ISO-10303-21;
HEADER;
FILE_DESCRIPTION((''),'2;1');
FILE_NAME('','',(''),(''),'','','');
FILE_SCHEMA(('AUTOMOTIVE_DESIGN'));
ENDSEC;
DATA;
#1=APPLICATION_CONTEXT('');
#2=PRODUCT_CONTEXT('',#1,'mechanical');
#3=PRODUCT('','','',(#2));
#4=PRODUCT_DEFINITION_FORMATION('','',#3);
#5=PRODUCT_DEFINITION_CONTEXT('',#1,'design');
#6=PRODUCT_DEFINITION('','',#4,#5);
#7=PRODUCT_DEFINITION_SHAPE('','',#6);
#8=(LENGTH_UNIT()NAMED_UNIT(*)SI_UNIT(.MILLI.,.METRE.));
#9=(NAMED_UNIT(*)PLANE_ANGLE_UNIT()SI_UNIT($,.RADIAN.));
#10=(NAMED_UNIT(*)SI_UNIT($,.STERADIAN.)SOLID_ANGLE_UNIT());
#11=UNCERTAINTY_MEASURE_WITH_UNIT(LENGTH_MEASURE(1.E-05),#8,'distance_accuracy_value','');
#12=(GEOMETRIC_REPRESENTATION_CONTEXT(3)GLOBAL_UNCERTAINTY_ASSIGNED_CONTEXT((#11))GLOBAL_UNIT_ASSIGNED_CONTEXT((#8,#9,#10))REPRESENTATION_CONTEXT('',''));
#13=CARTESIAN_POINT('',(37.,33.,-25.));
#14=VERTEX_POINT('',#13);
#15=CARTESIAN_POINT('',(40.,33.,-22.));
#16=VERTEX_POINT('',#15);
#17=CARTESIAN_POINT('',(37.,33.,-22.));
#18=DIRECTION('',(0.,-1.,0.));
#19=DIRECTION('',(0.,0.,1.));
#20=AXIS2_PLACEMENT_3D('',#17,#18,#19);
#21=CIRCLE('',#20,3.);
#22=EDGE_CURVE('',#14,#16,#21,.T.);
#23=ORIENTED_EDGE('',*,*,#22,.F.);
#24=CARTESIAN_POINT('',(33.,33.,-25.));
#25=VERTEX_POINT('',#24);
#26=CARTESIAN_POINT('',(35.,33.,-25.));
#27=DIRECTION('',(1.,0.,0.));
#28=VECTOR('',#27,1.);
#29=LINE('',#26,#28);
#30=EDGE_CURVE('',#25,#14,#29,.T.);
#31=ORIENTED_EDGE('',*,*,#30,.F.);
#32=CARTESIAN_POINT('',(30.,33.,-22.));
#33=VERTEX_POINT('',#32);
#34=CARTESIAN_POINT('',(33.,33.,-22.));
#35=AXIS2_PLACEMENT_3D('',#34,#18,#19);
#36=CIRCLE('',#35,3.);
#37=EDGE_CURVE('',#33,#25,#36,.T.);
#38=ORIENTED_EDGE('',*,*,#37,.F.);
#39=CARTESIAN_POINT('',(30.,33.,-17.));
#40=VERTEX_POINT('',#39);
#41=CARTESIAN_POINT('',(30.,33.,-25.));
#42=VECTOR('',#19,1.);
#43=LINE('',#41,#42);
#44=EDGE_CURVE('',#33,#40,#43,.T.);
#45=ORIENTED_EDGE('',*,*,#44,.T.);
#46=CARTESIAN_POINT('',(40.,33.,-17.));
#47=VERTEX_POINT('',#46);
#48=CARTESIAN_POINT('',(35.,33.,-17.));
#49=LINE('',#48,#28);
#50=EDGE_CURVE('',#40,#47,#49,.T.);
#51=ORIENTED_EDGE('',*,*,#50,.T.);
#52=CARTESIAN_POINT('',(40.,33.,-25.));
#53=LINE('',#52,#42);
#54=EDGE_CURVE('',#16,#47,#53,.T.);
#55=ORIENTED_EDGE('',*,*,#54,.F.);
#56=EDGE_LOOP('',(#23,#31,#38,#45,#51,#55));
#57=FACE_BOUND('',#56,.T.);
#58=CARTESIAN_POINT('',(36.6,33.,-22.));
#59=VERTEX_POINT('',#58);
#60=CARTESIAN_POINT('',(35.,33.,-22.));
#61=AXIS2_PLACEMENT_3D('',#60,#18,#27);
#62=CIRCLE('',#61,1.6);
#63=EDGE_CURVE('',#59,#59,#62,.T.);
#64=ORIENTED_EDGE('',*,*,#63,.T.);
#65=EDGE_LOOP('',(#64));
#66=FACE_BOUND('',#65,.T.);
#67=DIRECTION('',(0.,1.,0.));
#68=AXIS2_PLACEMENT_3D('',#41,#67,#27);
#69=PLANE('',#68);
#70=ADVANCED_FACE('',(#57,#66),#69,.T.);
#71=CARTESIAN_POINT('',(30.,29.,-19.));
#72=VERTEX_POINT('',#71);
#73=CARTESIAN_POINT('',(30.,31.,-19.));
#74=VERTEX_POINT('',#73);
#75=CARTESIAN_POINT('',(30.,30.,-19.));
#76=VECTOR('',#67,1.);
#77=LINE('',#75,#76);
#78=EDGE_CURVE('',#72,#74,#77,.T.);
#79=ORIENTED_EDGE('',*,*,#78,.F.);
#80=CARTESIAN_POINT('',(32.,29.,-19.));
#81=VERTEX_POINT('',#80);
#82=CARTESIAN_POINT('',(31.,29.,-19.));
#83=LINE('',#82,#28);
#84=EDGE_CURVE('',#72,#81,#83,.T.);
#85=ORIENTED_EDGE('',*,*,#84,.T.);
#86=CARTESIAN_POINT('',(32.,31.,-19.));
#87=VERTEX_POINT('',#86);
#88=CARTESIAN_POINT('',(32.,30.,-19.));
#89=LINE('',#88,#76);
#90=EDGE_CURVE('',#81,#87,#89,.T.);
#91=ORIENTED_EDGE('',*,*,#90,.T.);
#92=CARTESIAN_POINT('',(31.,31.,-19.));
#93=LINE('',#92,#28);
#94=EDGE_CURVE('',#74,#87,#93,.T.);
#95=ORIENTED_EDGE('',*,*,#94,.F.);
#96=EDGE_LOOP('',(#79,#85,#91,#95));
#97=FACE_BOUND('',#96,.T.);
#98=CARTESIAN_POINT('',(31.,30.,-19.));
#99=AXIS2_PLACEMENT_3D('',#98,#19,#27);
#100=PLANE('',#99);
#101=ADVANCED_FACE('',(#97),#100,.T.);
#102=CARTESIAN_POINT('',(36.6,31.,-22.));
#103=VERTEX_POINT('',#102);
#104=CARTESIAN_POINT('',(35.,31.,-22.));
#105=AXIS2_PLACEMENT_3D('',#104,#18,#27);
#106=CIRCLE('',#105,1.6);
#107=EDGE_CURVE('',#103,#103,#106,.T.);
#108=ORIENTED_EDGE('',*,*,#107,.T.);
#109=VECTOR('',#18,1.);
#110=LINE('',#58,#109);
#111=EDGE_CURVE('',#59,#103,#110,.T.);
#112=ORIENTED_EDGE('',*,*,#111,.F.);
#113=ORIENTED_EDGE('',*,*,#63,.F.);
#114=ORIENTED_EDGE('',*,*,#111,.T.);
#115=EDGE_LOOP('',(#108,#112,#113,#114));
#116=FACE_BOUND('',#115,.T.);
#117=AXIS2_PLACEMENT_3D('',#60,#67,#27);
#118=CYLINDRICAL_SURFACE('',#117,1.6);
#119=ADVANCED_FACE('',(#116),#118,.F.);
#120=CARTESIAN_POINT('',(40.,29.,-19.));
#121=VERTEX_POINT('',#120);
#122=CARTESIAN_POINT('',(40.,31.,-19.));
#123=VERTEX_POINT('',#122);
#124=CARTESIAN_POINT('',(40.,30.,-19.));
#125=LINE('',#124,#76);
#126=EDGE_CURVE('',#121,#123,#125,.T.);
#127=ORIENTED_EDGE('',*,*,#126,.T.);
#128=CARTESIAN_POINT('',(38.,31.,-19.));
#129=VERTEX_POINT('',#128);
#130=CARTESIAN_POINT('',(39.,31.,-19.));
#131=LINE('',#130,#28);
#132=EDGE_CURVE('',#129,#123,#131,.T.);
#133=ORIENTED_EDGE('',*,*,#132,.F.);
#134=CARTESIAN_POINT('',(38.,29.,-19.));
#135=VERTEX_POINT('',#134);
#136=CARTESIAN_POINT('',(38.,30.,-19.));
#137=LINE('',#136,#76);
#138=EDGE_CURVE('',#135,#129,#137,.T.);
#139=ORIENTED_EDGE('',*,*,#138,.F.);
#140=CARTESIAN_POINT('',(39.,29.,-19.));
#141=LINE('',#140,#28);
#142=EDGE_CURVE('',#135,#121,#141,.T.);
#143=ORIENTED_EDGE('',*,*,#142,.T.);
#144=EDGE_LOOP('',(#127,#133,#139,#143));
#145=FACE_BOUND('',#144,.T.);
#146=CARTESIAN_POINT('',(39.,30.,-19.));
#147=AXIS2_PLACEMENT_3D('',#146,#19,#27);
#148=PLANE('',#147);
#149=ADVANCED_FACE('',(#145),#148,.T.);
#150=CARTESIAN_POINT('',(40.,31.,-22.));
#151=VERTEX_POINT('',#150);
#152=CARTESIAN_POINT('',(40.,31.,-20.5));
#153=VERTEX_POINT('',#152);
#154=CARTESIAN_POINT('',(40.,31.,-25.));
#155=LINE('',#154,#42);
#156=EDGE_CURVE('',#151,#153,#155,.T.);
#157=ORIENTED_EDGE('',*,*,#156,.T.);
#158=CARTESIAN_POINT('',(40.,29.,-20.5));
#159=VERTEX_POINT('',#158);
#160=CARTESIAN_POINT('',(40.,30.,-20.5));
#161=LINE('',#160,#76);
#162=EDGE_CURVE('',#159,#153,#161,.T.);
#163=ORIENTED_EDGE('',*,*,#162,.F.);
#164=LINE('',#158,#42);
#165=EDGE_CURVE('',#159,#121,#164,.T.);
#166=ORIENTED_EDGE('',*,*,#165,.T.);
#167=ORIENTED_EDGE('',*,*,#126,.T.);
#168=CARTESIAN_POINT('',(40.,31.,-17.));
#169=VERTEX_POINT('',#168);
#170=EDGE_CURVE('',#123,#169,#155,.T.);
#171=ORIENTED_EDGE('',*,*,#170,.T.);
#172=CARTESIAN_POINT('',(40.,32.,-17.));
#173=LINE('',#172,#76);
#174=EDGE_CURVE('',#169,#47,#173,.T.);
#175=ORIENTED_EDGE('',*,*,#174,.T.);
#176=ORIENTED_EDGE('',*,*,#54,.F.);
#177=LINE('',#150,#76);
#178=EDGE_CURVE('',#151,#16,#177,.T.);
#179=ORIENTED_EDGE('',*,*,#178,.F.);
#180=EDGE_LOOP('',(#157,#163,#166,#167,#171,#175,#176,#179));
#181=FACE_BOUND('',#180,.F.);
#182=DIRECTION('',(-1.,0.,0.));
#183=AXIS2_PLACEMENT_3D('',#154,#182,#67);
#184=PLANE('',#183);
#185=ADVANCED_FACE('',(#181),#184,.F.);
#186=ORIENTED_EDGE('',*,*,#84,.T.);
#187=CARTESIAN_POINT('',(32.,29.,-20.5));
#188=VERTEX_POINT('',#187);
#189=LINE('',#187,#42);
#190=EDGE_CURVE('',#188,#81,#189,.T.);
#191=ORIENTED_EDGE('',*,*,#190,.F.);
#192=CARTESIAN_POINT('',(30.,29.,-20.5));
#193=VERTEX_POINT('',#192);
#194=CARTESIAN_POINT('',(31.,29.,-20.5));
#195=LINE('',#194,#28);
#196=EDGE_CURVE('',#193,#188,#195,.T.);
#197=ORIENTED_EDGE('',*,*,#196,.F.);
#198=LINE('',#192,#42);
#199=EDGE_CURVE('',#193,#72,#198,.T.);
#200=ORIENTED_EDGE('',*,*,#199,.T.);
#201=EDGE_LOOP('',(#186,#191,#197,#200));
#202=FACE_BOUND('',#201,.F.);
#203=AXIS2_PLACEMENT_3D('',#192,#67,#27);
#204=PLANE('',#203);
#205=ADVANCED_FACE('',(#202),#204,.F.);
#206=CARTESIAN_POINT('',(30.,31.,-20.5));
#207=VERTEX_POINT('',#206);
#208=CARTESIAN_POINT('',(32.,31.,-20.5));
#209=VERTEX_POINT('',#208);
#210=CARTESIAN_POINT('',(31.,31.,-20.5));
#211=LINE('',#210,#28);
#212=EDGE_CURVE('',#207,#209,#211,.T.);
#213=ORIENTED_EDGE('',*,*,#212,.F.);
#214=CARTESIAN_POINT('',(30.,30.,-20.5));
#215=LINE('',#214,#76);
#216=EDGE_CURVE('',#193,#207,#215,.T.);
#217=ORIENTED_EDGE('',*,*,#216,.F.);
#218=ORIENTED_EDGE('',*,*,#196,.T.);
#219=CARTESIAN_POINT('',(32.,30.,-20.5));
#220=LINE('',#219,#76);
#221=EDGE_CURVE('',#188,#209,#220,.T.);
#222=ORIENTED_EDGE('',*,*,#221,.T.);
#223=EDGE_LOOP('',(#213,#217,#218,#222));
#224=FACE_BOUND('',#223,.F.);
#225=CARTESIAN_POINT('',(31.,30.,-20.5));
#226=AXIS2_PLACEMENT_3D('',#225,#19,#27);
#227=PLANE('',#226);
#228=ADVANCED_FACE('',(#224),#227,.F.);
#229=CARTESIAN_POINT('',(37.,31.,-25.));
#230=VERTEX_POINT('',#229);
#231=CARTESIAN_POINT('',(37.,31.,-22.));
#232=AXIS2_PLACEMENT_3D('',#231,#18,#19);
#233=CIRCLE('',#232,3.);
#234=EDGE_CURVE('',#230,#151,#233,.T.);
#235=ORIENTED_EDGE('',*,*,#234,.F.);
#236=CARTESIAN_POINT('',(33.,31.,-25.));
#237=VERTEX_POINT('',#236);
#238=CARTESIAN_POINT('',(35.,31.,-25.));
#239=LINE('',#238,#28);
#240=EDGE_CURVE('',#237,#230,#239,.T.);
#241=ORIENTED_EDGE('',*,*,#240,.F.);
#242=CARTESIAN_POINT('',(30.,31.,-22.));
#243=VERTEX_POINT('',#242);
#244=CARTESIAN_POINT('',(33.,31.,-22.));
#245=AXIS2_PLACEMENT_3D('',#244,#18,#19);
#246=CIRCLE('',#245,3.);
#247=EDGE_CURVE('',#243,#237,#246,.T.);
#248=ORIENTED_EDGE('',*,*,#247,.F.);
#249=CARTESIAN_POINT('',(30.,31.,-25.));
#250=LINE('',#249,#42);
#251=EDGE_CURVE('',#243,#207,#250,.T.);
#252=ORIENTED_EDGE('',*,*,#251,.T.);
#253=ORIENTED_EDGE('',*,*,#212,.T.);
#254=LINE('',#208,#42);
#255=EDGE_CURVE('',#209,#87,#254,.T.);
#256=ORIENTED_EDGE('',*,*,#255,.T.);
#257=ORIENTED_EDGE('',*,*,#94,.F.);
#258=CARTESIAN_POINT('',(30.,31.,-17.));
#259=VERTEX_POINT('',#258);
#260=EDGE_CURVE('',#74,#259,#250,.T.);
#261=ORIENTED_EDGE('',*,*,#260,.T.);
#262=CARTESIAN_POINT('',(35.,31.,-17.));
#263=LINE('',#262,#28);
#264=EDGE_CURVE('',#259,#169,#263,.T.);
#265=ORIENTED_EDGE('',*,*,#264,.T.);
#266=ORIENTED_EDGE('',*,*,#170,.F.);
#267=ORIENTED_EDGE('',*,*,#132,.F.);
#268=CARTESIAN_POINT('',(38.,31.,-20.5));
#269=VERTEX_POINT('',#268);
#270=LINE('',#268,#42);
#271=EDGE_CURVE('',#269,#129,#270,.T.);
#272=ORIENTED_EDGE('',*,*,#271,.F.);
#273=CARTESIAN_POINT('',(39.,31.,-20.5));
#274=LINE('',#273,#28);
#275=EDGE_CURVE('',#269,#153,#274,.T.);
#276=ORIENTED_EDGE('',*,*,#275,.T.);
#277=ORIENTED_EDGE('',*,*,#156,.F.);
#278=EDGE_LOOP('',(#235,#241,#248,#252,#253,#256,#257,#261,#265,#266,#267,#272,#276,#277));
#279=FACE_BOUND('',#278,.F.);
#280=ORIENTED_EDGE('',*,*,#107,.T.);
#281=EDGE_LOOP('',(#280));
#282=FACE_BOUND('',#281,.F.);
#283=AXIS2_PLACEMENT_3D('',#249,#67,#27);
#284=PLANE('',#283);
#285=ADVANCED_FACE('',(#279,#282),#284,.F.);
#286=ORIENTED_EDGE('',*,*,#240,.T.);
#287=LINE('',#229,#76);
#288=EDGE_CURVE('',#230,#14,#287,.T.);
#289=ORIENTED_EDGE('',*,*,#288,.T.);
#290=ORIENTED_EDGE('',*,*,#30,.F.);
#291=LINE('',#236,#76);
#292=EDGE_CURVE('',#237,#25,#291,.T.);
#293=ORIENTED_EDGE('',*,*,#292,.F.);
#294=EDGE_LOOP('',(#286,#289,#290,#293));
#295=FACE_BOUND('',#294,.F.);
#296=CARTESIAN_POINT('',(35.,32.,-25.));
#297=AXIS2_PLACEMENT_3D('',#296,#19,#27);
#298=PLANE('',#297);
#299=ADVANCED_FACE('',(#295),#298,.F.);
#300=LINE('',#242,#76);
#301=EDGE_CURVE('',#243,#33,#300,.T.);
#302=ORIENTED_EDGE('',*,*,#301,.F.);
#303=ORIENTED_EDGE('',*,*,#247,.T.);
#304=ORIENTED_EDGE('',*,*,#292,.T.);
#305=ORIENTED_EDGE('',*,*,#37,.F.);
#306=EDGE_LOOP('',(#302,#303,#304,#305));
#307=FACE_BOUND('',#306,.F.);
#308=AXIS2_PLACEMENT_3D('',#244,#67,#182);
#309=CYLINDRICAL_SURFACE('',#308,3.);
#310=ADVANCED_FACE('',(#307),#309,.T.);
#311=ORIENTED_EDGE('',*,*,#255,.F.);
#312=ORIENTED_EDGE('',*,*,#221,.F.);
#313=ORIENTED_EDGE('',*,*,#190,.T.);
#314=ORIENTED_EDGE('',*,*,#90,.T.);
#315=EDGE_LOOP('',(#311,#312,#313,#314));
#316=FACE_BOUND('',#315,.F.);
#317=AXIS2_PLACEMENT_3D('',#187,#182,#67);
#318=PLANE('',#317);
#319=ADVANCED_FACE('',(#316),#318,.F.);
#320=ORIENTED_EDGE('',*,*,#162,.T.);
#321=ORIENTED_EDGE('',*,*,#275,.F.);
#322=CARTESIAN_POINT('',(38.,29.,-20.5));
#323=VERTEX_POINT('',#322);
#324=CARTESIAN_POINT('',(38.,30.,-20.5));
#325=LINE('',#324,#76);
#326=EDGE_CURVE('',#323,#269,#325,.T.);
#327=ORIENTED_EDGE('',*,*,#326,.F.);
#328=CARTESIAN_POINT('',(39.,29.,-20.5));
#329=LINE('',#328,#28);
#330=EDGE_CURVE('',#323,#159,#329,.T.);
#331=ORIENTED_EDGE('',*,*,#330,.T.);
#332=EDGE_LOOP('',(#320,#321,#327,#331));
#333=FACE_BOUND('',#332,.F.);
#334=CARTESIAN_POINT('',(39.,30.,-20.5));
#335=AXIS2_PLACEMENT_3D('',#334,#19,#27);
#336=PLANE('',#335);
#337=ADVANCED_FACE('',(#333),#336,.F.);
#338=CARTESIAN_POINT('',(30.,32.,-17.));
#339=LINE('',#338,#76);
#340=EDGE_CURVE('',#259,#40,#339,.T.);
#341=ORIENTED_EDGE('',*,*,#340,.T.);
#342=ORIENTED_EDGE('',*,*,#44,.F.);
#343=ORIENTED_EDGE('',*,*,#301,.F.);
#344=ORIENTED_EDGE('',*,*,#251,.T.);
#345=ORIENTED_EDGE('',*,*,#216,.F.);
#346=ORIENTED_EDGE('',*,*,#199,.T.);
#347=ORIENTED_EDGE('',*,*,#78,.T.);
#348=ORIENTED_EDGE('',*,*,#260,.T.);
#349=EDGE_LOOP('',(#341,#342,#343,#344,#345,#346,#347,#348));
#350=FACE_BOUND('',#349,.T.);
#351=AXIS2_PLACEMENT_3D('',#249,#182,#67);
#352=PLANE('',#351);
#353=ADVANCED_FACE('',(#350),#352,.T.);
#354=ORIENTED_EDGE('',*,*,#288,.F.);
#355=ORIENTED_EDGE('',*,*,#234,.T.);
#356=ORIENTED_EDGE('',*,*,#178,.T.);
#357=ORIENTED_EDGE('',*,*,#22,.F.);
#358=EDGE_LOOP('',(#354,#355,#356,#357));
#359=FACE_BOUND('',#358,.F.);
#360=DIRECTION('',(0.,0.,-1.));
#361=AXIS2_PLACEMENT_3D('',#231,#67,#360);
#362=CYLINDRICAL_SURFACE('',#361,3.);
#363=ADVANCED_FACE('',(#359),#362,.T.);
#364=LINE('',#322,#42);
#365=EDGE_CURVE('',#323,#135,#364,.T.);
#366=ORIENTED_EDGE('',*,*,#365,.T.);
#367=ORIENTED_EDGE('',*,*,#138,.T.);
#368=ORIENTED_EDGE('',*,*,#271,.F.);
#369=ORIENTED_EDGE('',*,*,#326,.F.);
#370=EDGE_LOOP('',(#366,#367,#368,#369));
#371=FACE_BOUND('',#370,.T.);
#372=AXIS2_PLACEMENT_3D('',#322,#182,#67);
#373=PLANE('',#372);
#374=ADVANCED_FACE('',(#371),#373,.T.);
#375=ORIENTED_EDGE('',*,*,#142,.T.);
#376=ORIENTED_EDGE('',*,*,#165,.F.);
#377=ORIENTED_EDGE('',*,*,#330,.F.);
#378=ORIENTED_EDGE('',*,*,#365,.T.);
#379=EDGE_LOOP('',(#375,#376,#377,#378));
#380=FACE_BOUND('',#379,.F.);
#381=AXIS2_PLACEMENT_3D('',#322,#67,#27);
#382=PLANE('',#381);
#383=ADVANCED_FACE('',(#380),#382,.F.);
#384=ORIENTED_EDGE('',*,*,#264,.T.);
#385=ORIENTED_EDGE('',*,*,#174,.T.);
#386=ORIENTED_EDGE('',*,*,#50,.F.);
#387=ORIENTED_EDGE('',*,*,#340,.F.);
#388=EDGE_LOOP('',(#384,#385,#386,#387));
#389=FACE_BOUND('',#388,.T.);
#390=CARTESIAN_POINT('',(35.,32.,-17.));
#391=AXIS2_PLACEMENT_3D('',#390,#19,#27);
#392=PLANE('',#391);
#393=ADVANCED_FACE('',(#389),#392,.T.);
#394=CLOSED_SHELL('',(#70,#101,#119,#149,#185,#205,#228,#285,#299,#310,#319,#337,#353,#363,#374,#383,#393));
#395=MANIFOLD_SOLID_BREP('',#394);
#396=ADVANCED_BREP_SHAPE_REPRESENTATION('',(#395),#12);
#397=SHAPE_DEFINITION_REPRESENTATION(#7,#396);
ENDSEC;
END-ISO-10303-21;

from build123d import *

# Parameters (mm, degrees)
CYLINDER070_R     = 1.6
CYLINDER070_DEPTH = 2
BOX178_W          = 10
BOX178_H          = 2
BOX178_DEPTH      = 8
FILLET039_R       = 3
BOX180_W          = 2
BOX180_H          = 2
BOX180_DEPTH      = 1.5
BOX179_W          = 2
BOX179_H          = 2
BOX179_DEPTH      = 1.5


with BuildPart() as cylinder151:
    # Cylinder070 → Cylinder070 (new body)
    with BuildSketch(Plane(origin=(35, 33, -22), x_dir=(1, 0, 0), z_dir=(0, -1, 0))):
        Circle(CYLINDER070_R)
    extrude(amount=CYLINDER070_DEPTH)


with BuildPart() as fillet039:
    # Box178 → Box178 (new body)
    with BuildSketch(Plane(origin=(30, 31, -25), x_dir=(1, 0, 0), z_dir=(0, 0, 1))):
        with Locations((5, 1)):
            Rectangle(BOX178_W, BOX178_H)
    extrude(amount=BOX178_DEPTH)

    # Cut094: cut Cylinder151
    add(cylinder151.part, mode=Mode.SUBTRACT)

    # Fillet039
    fillet039_edges = [fillet039.edges().sort_by_distance(p)[0] for p in [
        (30, 32, -25),
        (40, 32, -25),
    ]]
    fillet(fillet039_edges, radius=FILLET039_R)


with BuildPart() as cube169:
    # Box180 → Box180 (new body)
    with BuildSketch(Plane(origin=(30, 29, -20.5), x_dir=(1, 0, 0), z_dir=(0, 0, 1))):
        with Locations((1, 1)):
            Rectangle(BOX180_W, BOX180_H)
    extrude(amount=BOX180_DEPTH)


with BuildPart() as fusion054:
    # Box179 → Box179 (new body)
    with BuildSketch(Plane(origin=(38, 29, -20.5), x_dir=(1, 0, 0), z_dir=(0, 0, 1))):
        with Locations((1, 1)):
            Rectangle(BOX179_W, BOX179_H)
    extrude(amount=BOX179_DEPTH)

    # Fusion054: union Fillet039, Cube169
    add(fillet039.part)
    add(cube169.part)


solid = fusion054.part
